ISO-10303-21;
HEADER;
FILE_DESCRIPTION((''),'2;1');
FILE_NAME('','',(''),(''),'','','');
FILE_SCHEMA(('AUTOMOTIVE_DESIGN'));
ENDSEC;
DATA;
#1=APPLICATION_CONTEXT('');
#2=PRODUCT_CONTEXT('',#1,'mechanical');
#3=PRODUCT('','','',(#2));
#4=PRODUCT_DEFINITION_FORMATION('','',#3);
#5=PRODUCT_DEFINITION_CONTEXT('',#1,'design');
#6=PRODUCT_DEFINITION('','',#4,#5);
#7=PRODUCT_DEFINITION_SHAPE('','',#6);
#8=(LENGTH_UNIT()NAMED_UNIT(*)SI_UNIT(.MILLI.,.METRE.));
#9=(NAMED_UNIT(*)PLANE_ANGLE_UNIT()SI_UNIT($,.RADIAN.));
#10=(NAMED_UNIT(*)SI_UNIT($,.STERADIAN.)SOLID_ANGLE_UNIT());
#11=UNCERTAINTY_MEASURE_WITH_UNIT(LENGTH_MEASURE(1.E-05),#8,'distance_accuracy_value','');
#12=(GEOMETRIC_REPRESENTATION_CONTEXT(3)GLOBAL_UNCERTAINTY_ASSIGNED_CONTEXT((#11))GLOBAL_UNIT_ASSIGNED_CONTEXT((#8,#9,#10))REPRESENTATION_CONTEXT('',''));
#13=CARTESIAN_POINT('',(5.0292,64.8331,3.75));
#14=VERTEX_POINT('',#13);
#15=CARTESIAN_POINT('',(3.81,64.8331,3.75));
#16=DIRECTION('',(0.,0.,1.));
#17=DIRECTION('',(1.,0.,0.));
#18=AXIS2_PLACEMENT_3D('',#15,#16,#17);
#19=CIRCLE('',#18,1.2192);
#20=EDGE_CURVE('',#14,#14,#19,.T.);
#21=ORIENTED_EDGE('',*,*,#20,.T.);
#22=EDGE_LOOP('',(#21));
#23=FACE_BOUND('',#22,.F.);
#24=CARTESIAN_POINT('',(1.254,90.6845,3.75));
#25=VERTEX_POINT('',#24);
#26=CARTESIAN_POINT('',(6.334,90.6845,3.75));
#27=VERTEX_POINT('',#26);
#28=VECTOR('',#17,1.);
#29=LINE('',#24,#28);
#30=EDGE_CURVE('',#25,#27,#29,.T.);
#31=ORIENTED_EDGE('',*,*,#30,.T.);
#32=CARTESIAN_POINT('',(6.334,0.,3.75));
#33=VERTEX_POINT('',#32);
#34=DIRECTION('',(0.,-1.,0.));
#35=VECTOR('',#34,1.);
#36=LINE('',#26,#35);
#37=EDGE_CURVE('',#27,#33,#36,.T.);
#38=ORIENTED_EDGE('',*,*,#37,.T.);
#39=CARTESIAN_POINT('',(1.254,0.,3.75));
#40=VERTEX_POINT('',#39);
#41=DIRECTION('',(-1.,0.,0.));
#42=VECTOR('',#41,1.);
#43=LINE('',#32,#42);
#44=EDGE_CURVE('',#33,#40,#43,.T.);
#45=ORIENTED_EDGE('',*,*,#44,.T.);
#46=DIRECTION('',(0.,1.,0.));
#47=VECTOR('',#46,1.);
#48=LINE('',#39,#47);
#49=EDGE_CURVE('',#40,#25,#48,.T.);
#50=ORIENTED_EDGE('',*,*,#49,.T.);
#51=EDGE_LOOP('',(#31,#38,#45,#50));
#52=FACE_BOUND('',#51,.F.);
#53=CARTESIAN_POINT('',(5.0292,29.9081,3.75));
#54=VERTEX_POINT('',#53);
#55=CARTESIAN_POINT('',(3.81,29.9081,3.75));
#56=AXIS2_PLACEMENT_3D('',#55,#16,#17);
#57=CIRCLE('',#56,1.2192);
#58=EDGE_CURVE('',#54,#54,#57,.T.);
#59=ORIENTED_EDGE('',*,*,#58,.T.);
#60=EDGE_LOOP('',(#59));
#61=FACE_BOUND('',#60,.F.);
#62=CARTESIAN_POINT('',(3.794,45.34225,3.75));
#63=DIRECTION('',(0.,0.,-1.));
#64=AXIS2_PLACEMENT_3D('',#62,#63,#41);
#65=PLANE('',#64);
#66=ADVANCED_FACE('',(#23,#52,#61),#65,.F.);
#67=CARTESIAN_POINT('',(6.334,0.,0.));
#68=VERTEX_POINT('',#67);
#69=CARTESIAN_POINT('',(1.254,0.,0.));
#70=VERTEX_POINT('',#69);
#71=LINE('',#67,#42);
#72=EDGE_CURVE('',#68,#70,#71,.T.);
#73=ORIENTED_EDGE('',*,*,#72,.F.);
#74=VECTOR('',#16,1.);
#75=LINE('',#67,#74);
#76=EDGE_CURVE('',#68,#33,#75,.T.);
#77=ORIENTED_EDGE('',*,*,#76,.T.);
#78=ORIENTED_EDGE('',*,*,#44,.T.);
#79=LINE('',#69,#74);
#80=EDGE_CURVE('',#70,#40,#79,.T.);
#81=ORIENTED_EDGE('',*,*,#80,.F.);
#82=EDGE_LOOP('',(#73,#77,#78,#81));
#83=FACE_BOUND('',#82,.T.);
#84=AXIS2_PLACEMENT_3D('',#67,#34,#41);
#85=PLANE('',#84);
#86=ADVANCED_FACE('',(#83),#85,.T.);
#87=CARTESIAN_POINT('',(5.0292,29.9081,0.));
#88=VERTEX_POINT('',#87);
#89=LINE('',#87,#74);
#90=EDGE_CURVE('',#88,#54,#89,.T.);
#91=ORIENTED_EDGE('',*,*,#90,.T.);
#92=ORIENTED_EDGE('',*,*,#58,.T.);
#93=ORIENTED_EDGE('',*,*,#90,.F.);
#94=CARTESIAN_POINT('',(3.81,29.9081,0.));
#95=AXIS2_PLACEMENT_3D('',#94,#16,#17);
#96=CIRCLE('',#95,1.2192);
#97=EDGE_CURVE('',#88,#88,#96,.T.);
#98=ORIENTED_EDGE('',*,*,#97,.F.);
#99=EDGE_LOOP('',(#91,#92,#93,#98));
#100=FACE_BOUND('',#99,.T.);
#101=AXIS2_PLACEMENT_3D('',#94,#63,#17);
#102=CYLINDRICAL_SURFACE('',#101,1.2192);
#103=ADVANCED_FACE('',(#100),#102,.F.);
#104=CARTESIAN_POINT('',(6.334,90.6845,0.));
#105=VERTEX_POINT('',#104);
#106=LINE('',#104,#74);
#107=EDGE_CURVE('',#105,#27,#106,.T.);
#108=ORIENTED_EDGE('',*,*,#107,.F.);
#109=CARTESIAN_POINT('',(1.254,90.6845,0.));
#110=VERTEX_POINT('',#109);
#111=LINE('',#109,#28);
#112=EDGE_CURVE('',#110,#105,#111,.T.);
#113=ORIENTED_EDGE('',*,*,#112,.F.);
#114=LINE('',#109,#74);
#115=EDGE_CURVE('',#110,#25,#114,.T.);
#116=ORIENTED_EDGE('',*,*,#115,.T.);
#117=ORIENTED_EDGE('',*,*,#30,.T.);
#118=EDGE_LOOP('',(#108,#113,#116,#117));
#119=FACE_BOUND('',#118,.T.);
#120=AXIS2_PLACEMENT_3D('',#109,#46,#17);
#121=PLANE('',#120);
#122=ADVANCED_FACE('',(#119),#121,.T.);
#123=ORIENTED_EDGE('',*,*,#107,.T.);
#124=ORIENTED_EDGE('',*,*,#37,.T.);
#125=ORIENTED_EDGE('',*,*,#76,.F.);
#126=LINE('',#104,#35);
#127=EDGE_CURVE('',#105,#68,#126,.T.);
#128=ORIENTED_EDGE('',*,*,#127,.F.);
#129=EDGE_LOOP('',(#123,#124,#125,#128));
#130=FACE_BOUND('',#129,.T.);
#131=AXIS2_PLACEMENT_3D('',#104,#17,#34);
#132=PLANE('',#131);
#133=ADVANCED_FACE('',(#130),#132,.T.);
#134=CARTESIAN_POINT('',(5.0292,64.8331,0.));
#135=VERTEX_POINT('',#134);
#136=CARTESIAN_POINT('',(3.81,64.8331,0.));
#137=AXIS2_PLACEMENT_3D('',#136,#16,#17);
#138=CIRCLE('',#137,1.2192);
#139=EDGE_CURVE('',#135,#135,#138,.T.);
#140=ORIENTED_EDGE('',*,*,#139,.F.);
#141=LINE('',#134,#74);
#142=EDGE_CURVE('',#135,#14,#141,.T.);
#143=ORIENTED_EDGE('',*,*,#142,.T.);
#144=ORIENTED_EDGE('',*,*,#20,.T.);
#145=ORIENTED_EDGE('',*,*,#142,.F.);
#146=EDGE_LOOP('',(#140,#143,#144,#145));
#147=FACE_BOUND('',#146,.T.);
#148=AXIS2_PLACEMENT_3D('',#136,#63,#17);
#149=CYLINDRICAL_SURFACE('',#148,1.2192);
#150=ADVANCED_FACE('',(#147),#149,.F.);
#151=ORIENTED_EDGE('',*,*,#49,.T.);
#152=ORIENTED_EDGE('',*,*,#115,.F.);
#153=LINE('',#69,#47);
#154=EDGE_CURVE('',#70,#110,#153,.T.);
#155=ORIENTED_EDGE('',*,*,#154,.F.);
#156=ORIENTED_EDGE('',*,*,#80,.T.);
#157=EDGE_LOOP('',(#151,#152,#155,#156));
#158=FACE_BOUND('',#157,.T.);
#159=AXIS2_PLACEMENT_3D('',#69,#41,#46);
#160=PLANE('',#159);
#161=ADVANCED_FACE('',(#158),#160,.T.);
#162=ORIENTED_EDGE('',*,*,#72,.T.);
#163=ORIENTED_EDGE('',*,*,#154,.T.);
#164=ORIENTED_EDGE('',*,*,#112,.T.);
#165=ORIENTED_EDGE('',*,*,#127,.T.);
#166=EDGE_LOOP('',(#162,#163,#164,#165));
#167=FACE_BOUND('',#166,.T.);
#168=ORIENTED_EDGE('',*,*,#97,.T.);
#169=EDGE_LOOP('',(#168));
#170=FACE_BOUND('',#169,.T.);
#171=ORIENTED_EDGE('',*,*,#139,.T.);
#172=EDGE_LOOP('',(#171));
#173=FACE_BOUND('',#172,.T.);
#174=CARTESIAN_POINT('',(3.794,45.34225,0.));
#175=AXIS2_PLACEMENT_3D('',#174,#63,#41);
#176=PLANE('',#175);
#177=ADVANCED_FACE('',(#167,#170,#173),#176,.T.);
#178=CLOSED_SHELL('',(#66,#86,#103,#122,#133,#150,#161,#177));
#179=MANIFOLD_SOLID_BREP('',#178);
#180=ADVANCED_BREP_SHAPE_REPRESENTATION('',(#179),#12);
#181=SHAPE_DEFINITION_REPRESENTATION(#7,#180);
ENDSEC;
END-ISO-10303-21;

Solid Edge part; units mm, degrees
sketch "Sketch1" plane through (0, 0, 0) normal (0, 0, 1) x (1, 0, 0)
  circle A0 centre (3.81, 29.9081) radius 1.2192
  circle A1 centre (3.81, 64.8331) radius 1.2192
  line L0 (6.334, 90.6845) -> (6.334, 0)
  line L1 (6.334, 0) -> (1.254, 0)
  line L2 (1.254, 0) -> (1.254, 90.6845)
  line L3 (1.254, 90.6845) -> (6.334, 90.6845)
  dimension "D1" = 0.254
  dimension "D2" = 5.08
extrude "Protrusion1" add sketch "Sketch1" along normal up to vertex (3.75 mm away)
